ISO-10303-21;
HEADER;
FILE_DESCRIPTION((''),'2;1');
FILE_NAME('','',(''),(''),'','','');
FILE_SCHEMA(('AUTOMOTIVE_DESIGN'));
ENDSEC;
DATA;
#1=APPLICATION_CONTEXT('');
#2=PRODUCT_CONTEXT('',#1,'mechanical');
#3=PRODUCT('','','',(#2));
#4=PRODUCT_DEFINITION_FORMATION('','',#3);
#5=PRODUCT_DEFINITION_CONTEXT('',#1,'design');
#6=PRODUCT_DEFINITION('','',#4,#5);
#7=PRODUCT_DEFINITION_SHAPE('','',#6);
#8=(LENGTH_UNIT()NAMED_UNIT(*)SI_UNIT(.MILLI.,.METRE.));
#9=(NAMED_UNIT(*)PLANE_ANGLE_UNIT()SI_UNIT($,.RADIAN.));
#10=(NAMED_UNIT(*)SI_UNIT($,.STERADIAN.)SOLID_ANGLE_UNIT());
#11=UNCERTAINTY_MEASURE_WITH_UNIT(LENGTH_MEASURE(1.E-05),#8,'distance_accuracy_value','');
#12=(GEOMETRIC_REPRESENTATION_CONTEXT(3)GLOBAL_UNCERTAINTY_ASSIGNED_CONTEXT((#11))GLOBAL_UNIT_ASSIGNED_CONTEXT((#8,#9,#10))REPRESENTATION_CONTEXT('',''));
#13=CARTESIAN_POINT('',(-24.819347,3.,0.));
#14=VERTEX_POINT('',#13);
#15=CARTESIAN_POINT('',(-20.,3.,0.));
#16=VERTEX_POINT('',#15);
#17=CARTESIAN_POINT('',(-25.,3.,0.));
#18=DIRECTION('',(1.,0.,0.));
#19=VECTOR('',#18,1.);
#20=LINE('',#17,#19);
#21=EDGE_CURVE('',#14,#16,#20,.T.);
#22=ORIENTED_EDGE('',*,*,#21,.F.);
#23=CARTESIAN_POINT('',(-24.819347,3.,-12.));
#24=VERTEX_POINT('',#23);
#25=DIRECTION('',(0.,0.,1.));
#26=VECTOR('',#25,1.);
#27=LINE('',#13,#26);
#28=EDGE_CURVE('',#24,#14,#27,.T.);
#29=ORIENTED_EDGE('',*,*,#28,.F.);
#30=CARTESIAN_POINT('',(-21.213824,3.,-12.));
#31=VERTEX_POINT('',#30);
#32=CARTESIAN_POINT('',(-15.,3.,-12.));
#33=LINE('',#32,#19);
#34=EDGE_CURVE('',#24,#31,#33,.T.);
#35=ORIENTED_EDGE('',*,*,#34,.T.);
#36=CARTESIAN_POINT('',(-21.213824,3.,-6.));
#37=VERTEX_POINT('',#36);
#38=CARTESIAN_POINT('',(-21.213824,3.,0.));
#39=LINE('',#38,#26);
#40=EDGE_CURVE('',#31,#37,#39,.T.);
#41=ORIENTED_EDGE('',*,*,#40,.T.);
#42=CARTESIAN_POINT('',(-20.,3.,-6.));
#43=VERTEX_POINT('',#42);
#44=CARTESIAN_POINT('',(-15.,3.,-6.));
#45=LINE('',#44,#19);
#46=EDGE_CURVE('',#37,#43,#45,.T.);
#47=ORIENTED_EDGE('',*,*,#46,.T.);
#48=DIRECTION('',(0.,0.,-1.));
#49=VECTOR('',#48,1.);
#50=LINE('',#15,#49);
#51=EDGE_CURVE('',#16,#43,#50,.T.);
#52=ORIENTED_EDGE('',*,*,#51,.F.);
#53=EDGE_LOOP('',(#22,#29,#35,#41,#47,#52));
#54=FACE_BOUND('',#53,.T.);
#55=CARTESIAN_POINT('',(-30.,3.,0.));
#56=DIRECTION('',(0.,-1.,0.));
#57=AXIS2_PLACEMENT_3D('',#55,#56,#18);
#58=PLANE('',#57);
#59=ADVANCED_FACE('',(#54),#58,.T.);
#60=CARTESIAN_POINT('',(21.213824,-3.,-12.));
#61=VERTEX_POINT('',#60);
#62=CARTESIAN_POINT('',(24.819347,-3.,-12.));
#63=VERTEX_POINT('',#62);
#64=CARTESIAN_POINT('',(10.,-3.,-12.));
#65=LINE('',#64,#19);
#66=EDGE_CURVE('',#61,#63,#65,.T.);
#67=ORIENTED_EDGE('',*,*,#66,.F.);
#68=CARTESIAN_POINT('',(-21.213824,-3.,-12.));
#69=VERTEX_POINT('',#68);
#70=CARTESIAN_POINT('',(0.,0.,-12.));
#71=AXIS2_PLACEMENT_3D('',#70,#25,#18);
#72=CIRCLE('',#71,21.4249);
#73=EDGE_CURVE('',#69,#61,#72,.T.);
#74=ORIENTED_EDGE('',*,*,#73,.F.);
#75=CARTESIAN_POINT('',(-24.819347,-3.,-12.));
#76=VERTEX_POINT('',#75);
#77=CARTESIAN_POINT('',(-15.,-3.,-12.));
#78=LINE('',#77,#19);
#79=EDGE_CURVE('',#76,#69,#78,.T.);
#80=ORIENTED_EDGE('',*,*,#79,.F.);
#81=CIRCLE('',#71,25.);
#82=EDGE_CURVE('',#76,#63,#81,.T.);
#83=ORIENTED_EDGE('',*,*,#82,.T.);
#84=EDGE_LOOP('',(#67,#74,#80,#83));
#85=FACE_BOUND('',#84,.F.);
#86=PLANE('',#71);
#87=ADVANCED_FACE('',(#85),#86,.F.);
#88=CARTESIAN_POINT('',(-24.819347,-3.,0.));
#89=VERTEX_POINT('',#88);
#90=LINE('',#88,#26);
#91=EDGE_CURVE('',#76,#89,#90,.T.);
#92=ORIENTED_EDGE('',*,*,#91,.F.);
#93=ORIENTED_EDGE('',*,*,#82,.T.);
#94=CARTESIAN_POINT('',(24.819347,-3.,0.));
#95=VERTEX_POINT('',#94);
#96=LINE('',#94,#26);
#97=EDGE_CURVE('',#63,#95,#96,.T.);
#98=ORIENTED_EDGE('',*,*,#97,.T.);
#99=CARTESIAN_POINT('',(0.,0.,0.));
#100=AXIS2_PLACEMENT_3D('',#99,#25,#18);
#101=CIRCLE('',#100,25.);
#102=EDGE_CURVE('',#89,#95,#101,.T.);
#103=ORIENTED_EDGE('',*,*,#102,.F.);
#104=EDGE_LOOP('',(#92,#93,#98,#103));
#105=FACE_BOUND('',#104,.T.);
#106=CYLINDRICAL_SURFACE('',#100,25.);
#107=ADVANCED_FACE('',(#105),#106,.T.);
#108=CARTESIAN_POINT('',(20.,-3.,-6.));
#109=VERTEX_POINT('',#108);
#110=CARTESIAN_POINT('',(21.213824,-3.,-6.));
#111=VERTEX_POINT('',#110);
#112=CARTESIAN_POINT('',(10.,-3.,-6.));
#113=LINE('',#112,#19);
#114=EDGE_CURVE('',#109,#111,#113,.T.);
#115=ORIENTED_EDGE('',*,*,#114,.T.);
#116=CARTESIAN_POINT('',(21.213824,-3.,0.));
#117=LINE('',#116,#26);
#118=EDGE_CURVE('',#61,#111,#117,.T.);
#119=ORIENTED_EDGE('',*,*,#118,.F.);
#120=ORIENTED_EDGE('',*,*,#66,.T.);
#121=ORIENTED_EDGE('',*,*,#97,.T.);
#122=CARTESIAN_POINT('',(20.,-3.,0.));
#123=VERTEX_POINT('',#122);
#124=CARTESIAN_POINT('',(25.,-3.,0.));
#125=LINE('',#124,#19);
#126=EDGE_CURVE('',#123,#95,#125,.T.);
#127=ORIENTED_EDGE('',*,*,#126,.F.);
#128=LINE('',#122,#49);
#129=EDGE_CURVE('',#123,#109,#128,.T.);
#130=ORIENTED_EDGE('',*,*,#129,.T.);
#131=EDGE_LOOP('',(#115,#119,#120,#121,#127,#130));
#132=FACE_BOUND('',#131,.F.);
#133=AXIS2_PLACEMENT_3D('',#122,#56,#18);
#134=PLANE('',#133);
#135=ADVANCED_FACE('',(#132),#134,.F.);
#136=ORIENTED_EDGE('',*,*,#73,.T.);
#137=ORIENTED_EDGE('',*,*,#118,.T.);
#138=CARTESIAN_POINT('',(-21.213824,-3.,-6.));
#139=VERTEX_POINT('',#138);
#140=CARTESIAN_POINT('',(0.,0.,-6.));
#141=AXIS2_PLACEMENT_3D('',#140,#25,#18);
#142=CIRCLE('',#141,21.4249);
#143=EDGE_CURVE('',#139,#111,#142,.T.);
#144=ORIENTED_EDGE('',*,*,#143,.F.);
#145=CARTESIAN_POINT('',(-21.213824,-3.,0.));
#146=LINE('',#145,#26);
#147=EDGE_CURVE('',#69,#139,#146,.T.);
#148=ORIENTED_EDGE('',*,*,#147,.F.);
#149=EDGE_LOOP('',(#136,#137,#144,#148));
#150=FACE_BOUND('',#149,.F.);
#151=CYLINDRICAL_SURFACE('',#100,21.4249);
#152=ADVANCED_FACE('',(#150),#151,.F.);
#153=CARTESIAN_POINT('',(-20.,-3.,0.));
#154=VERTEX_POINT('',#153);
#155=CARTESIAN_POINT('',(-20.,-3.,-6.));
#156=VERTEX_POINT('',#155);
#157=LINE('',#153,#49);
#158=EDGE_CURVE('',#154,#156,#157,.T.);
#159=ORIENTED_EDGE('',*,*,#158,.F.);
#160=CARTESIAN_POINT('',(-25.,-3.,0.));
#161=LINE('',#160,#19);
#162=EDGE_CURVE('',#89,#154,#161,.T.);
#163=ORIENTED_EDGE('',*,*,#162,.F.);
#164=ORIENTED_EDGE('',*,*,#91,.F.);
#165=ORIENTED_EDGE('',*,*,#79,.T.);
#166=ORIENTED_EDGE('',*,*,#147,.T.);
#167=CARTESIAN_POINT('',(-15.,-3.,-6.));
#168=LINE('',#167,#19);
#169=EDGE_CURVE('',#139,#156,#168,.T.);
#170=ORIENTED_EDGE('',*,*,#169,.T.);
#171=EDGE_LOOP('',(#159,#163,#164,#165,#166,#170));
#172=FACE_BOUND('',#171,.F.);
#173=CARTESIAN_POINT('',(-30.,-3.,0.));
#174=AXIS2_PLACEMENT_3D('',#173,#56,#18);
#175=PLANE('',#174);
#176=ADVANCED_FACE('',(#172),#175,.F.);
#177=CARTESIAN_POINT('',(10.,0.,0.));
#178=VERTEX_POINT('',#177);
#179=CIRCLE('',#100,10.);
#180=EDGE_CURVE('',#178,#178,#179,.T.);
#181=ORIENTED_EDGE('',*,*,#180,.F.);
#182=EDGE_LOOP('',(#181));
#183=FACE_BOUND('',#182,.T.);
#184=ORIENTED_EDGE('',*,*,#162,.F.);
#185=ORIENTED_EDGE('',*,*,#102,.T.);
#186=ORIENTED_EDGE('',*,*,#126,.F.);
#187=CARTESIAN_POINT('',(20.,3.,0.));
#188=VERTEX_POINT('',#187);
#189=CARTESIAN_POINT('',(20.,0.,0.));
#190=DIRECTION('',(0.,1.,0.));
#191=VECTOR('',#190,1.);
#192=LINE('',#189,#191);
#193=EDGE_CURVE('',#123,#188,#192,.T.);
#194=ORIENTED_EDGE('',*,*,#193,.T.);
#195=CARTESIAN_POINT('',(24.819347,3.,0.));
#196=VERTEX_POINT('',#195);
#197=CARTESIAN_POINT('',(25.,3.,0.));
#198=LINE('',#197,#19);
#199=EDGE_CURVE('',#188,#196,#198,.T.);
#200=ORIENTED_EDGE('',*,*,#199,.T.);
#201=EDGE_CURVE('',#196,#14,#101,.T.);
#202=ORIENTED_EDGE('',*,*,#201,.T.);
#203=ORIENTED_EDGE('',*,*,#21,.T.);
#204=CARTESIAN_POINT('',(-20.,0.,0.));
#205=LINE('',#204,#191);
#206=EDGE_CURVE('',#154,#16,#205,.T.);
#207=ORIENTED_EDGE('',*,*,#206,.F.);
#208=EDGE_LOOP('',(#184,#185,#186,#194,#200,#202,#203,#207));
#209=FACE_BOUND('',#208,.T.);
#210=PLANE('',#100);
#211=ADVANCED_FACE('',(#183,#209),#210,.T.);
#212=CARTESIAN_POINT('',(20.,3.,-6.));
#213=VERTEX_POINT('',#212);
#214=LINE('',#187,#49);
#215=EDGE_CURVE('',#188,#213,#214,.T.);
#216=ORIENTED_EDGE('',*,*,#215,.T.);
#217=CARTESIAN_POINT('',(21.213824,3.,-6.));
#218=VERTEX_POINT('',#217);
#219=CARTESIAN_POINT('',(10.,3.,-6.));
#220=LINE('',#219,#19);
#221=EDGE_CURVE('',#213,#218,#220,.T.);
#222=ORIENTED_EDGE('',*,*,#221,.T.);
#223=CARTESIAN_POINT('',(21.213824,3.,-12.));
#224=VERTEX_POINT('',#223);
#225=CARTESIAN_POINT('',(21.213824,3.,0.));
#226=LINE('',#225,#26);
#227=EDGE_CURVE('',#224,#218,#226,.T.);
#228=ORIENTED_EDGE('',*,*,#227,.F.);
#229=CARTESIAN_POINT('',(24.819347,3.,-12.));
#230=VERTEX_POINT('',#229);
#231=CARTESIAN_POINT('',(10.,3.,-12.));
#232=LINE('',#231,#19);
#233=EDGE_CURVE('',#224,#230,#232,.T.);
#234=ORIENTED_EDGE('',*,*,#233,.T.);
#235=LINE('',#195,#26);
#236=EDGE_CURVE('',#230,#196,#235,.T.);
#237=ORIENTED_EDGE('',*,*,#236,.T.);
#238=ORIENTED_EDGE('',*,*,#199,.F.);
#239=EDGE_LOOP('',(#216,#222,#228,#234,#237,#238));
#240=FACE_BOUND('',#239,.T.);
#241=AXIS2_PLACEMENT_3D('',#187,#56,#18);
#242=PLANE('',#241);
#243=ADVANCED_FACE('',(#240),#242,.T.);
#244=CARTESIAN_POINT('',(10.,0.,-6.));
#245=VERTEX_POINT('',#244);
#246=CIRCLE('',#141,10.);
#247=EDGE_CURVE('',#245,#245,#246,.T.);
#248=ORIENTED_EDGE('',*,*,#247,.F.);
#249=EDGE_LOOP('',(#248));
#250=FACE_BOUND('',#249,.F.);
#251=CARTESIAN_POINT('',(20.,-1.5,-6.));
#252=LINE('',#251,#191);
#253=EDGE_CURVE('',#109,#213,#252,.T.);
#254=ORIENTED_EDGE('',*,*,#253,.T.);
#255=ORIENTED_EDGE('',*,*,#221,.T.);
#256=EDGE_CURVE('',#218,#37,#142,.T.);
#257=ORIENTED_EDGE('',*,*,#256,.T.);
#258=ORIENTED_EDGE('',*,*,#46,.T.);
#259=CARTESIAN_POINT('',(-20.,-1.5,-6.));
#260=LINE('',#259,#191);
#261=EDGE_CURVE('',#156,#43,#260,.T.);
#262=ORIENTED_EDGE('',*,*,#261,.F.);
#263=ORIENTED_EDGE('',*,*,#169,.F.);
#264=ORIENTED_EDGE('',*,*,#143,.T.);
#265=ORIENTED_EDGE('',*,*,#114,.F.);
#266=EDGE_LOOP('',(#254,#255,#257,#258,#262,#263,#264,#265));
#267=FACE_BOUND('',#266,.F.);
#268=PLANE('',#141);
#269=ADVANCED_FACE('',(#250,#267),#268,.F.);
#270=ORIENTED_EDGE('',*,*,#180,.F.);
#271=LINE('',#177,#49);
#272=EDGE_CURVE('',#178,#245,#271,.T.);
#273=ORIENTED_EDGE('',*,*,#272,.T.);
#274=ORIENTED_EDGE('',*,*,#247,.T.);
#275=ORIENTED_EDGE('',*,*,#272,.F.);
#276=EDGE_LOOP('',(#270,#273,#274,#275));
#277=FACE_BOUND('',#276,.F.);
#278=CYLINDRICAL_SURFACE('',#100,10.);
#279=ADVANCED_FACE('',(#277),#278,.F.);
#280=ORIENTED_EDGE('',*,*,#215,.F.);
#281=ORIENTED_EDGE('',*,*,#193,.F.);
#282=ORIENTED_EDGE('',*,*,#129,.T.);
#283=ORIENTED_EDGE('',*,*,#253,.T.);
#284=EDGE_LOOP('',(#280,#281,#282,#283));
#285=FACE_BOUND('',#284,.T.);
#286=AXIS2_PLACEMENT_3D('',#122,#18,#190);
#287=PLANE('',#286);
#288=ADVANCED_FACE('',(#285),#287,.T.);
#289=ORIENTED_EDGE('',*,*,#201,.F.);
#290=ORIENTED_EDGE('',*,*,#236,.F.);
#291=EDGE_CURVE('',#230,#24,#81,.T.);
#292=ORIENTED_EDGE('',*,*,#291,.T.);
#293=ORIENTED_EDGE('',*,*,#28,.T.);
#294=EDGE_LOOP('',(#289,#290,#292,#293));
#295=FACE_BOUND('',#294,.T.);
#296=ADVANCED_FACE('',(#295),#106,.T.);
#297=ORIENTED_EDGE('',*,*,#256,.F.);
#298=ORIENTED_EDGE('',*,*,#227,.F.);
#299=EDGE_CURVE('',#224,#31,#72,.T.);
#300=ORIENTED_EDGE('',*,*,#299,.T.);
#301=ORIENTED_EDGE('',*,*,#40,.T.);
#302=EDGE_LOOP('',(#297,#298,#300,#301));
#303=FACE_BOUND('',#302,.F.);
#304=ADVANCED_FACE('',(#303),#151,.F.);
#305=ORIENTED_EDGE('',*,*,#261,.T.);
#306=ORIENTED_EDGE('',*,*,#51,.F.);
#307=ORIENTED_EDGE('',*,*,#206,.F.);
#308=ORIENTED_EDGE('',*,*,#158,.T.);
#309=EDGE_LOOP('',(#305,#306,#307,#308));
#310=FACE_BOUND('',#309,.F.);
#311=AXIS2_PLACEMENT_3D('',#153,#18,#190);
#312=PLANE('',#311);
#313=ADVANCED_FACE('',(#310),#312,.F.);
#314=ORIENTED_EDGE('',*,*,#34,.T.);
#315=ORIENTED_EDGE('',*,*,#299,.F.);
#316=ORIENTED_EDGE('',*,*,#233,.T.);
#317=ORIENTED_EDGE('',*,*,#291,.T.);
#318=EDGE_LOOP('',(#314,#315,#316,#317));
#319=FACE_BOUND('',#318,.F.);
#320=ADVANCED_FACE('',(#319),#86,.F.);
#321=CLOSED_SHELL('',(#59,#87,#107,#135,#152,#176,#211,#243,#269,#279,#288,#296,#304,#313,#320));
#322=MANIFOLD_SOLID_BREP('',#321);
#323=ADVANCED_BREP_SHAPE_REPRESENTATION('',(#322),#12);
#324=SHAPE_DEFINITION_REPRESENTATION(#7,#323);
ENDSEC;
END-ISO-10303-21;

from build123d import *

# Parameters (mm, degrees)
F0_R     = 21.4249
F0_R_2   = 15
F0_R_3   = 10
F1_DEPTH = 6
F0_R_4   = 25
F2_DEPTH = 12
F4_W     = 10
F4_H     = 6
F5_DEPTH = 25


with BuildPart() as f1:
    # F0 (on Top) → F1 (new body)
    with BuildSketch(Plane.XY):
        Circle(F0_R)
        Circle(F0_R_2, mode=Mode.SUBTRACT)
        Circle(F0_R_2)
        Circle(F0_R_3, mode=Mode.SUBTRACT)
    extrude(amount=-F1_DEPTH)

    # F0 (on Top) → F2 (join)
    with BuildSketch(Plane.XY):
        Circle(F0_R_4)
        Circle(F0_R, mode=Mode.SUBTRACT)
    extrude(amount=-F2_DEPTH)

    # F4 (on Top) → F5 (cut)
    with BuildSketch(Plane.XY):
        with Locations((25, 0)):
            Rectangle(F4_W, F4_H)
        with Locations((-25, 0)):
            Rectangle(F4_W, F4_H)
    extrude(amount=-F5_DEPTH, mode=Mode.SUBTRACT)


solid = f1.part
